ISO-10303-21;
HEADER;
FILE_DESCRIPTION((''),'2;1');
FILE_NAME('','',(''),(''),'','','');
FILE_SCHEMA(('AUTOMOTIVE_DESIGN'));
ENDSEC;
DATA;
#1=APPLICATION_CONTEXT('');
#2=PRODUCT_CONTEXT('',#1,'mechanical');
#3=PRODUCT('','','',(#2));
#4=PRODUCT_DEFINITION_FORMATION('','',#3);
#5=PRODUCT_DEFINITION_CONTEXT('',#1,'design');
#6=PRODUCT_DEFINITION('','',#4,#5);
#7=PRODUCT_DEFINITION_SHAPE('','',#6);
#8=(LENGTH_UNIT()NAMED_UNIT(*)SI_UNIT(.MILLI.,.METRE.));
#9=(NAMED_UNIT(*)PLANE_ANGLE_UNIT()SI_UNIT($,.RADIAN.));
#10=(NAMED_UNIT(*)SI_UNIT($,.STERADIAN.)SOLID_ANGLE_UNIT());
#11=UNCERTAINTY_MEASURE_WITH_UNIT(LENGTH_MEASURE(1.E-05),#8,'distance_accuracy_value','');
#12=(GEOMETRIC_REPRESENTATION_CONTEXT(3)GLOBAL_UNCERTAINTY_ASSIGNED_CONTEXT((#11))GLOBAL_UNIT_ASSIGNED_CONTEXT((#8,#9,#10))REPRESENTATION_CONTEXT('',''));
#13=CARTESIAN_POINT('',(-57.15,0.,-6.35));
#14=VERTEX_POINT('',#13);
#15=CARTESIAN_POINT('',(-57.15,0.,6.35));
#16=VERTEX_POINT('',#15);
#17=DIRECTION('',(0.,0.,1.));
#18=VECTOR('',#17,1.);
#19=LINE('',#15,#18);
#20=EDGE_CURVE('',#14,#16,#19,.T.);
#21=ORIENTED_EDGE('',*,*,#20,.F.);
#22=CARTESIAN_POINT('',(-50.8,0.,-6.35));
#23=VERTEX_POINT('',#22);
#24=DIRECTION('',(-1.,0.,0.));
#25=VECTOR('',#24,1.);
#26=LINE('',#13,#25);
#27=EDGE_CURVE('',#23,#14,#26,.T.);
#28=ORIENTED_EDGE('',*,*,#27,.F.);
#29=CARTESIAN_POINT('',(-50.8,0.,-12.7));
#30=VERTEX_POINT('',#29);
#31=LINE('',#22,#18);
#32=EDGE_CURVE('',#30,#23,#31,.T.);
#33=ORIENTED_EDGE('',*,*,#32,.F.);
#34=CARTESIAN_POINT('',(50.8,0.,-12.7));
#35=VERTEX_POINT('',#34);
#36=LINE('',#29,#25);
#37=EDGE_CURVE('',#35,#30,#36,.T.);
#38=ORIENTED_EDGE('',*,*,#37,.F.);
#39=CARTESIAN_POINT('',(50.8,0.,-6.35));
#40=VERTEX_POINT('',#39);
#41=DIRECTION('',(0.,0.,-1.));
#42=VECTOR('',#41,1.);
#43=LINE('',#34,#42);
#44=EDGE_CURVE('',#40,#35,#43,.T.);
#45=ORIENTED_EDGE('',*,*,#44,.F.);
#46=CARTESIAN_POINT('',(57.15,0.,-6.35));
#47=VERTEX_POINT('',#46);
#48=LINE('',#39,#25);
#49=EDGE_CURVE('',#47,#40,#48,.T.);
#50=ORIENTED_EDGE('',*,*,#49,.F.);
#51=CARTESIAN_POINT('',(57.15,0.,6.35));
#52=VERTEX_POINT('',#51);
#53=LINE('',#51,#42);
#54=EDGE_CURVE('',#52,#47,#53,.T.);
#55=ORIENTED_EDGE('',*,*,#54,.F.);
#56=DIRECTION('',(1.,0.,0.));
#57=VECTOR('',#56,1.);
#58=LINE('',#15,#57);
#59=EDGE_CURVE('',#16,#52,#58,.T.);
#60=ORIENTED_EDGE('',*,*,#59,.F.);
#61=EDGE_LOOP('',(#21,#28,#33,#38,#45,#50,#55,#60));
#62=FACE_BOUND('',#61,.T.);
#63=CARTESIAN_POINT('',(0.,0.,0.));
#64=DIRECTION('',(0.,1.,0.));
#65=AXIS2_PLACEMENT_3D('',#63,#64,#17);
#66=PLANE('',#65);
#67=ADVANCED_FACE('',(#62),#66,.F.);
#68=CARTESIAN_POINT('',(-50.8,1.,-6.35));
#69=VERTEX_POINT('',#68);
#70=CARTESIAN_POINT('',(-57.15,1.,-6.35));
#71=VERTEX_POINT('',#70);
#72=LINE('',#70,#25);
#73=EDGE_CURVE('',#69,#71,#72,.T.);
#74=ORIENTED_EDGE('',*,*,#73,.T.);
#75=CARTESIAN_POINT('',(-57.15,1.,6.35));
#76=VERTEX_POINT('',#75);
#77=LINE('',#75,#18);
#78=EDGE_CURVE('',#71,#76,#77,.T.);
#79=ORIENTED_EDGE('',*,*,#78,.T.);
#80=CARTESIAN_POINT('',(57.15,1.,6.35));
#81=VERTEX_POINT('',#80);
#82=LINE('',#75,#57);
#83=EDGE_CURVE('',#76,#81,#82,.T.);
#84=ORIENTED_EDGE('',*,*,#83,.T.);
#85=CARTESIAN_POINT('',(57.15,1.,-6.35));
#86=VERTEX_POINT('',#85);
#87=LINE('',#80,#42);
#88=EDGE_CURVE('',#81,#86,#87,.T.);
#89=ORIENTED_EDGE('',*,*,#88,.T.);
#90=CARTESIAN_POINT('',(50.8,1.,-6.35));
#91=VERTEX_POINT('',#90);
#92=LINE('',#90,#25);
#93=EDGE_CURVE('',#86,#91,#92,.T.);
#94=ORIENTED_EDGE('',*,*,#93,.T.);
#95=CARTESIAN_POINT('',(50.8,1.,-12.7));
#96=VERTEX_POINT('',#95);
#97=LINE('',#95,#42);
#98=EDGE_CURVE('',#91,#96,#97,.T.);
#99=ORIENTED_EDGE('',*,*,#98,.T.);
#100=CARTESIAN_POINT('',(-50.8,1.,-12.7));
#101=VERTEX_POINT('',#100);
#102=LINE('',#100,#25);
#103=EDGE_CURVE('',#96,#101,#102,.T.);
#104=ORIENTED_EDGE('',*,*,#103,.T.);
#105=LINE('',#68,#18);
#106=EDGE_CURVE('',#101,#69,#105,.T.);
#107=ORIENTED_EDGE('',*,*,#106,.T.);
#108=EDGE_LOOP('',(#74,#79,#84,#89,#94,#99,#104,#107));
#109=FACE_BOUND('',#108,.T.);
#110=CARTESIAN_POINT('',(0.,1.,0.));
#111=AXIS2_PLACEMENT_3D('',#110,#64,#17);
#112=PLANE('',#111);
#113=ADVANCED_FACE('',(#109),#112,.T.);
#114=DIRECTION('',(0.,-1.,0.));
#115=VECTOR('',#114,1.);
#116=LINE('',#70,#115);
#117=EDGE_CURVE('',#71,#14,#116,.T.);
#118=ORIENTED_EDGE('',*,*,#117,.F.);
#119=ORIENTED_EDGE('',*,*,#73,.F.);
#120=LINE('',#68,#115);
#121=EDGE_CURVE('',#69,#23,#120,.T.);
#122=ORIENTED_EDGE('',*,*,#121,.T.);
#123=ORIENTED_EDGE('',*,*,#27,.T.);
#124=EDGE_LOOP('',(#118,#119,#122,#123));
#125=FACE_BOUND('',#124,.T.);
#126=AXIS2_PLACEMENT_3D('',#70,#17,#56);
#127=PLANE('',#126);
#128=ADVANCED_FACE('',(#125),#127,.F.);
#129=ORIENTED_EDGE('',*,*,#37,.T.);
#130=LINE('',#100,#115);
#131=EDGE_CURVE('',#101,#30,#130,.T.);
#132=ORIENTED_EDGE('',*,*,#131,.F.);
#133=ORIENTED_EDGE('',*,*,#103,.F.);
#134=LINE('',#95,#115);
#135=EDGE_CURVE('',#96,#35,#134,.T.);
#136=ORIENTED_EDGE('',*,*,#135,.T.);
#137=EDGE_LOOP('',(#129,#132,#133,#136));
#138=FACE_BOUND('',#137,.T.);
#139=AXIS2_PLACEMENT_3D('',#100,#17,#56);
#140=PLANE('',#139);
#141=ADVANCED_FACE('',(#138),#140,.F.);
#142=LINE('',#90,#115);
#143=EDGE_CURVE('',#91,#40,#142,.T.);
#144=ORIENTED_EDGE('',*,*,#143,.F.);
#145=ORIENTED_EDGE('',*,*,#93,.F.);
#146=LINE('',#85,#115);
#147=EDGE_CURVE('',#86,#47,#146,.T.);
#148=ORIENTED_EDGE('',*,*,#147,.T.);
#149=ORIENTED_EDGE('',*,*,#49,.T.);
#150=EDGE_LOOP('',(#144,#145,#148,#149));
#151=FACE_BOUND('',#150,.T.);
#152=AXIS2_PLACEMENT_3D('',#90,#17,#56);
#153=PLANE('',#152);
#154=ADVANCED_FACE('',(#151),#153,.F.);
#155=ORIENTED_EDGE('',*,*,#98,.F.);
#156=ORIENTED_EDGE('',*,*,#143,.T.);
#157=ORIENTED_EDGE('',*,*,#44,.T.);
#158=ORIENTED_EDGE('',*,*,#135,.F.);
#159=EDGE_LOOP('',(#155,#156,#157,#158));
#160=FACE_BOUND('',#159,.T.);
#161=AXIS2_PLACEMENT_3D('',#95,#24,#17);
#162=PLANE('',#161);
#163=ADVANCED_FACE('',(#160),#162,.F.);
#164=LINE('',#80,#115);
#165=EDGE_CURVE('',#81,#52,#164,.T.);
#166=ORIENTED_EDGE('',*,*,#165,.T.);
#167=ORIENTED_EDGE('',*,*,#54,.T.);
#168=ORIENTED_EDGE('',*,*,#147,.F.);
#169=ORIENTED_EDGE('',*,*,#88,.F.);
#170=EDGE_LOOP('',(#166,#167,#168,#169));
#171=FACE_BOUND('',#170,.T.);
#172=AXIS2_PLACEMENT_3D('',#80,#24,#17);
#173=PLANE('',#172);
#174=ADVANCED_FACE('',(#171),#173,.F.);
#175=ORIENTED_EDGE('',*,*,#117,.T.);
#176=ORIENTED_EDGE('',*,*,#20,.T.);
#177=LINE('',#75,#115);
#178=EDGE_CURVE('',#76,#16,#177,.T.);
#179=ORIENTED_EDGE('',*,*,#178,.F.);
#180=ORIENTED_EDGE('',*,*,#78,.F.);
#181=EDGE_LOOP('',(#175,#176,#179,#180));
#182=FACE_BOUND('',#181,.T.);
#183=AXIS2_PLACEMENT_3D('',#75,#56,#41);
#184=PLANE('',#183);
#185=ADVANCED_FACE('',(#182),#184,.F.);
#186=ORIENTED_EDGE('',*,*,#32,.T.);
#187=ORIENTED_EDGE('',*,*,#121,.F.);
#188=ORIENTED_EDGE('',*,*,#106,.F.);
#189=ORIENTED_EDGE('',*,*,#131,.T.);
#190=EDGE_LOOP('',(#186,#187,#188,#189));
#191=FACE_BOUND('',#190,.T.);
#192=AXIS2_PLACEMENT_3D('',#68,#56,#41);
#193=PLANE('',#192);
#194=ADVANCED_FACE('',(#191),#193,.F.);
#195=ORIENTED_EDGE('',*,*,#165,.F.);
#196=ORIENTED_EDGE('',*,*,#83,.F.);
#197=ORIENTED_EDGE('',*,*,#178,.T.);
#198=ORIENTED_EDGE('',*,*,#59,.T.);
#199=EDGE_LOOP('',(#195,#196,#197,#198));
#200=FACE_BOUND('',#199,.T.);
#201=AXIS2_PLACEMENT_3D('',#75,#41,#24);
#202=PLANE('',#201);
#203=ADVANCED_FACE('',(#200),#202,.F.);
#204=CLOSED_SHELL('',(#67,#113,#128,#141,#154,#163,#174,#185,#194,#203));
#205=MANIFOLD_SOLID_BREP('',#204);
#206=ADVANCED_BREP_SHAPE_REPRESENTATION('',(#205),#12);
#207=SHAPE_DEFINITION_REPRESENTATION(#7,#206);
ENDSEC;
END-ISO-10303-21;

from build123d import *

# Parameters (mm, degrees)
BOSS_EXTRUDE1_DEPTH = 1


with BuildPart() as part:
    # Sketch1 → Boss-Extrude1 (new body)
    with BuildSketch(Plane(origin=(0, 0, 0), x_dir=(1, 0, 0), z_dir=(0, 1, 0))):
        Polygon((-50.8, 6.35), (-50.8, 12.7), (50.8, 12.7), (50.8, 6.35), (57.15, 6.35), (57.15, -6.35), (-57.15, -6.35), (-57.15, 6.35), align=None)
    extrude(amount=BOSS_EXTRUDE1_DEPTH)


solid = part.part
